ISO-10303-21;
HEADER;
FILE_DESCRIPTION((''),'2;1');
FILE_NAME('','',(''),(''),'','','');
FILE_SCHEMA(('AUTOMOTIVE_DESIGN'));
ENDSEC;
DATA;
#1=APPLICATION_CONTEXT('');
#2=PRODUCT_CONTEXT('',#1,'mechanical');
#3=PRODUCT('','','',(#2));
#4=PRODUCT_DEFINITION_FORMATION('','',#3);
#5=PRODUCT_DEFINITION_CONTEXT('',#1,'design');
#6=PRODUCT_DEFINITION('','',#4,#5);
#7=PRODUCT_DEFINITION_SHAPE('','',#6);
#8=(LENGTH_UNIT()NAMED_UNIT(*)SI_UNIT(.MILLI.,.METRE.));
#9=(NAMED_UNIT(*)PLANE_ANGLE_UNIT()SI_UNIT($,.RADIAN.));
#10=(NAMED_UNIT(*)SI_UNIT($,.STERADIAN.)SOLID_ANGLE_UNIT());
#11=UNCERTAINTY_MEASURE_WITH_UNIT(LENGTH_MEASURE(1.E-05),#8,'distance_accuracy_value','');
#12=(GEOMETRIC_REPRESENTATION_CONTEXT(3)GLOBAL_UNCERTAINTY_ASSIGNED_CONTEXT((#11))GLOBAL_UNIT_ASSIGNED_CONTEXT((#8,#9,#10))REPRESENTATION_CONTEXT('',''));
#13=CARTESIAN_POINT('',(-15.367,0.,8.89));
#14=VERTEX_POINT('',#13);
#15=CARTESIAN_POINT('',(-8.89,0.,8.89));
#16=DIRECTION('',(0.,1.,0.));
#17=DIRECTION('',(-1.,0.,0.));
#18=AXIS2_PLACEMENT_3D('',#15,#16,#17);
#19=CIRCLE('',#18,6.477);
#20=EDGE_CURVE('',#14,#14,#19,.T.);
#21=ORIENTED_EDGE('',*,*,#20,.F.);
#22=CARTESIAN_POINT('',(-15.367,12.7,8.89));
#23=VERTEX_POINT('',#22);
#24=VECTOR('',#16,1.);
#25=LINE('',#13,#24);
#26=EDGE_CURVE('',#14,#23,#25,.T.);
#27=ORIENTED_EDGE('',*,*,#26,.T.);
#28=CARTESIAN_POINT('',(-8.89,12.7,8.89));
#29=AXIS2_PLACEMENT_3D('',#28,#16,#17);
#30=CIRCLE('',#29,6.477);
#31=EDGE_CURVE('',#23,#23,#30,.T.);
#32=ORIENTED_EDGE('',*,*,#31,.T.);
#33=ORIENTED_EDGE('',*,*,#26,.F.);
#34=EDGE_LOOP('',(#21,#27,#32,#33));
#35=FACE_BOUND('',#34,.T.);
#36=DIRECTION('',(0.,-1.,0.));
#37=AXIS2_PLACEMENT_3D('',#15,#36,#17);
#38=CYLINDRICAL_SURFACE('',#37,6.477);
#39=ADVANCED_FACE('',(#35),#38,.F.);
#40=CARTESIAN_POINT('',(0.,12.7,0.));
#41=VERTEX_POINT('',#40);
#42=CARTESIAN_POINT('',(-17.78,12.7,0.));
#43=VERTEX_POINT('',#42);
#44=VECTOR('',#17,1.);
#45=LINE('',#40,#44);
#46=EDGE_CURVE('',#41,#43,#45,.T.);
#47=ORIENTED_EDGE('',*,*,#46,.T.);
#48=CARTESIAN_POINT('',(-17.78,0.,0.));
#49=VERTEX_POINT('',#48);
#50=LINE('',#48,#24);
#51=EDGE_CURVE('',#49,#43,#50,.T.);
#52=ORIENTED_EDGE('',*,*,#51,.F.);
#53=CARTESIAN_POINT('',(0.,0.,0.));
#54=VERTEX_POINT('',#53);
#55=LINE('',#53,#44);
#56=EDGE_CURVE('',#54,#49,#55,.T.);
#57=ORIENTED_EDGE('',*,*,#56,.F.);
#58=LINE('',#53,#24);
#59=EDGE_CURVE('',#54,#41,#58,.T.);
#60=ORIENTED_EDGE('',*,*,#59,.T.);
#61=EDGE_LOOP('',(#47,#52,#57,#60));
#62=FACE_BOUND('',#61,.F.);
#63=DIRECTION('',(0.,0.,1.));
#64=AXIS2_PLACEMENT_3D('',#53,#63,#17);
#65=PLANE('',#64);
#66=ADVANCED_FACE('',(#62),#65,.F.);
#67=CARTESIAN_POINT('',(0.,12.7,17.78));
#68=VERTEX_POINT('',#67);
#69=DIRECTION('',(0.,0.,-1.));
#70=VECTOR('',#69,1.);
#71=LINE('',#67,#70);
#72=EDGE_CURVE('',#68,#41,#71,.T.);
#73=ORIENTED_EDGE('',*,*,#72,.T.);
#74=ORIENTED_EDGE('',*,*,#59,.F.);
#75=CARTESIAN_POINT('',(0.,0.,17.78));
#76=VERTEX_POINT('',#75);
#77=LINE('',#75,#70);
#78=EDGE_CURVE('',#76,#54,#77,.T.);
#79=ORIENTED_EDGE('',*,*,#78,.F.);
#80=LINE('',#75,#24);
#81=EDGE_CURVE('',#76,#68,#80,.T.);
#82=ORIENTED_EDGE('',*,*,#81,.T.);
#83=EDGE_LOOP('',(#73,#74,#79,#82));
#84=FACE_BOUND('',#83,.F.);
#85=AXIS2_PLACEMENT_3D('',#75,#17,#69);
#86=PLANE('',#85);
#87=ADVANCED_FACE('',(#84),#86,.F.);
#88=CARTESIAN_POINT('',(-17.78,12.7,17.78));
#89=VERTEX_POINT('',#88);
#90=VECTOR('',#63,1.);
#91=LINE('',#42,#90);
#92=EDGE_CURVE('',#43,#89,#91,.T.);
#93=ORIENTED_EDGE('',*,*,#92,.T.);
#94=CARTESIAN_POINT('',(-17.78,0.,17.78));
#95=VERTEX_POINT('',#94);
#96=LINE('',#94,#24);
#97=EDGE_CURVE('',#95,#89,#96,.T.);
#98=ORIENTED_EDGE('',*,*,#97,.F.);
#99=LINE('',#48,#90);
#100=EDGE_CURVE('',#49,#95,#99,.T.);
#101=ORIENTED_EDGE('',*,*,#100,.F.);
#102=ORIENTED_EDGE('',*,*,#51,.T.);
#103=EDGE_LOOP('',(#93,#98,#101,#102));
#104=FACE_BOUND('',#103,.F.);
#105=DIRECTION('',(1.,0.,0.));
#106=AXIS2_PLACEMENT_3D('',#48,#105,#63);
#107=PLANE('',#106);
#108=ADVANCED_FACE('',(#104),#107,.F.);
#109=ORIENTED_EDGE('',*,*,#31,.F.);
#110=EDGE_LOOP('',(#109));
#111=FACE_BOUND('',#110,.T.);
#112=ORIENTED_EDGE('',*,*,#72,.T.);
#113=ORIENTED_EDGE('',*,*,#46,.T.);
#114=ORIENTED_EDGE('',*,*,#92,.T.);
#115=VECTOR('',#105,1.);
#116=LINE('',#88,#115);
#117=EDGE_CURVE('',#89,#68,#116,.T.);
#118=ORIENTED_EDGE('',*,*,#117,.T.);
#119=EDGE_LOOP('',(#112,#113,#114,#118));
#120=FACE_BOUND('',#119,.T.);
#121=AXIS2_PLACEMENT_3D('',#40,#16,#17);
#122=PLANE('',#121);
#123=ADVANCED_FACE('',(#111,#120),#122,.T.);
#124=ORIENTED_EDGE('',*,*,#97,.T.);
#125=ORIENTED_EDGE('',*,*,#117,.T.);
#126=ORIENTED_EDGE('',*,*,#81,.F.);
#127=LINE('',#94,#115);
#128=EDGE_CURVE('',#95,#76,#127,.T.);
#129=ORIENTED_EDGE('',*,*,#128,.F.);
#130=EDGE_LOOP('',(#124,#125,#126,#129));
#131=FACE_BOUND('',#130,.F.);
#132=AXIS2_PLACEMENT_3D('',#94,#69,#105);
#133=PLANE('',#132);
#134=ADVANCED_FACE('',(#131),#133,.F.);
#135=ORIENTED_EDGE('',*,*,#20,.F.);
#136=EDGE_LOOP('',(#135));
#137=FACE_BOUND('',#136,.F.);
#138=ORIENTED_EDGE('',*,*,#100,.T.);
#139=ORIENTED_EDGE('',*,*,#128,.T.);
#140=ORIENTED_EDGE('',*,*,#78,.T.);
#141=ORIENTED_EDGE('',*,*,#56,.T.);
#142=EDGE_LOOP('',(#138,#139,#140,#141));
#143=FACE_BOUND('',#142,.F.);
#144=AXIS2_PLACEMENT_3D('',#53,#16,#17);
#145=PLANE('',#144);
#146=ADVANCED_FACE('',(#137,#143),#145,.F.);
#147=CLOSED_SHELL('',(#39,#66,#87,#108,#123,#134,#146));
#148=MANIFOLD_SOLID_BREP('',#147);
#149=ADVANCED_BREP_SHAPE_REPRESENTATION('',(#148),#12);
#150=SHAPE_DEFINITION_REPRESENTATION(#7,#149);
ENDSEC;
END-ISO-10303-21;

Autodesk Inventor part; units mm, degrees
ref_plane "YZ Plane" through (0, 0, 0) normal (1, 0, 0) x (0, 1, 0)
ref_plane "XZ Plane" through (0, 0, 0) normal (0, 1, 0) x (-1, 0, 0)
ref_plane "XY Plane" through (0, 0, 0) normal (0, 0, 1) x (1, 0, 0)
sketch "Sketch1" plane through (0, 0, 0) normal (0, 1, 0) x (-1, 0, 0)
  line L0 (0, 0) -> (17.78, 0)
  line L1 (17.78, 0) -> (17.78, 17.78)
  line L2 (17.78, 17.78) -> (0, 17.78)
  line L3 (0, 17.78) -> (0, 0)
  circle A0 centre (8.89, 8.89) radius 6.477
  dimension "d0" = 17.78
  dimension "d1" = 17.78
  dimension "d2" = 12.954
  dimension "d3" = 8.89
  dimension "d4" = 8.89
extrude "Extrusion1" add sketch "Sketch1" along normal blind 12.7
properties part number "omni wheel shaft holder proto"
